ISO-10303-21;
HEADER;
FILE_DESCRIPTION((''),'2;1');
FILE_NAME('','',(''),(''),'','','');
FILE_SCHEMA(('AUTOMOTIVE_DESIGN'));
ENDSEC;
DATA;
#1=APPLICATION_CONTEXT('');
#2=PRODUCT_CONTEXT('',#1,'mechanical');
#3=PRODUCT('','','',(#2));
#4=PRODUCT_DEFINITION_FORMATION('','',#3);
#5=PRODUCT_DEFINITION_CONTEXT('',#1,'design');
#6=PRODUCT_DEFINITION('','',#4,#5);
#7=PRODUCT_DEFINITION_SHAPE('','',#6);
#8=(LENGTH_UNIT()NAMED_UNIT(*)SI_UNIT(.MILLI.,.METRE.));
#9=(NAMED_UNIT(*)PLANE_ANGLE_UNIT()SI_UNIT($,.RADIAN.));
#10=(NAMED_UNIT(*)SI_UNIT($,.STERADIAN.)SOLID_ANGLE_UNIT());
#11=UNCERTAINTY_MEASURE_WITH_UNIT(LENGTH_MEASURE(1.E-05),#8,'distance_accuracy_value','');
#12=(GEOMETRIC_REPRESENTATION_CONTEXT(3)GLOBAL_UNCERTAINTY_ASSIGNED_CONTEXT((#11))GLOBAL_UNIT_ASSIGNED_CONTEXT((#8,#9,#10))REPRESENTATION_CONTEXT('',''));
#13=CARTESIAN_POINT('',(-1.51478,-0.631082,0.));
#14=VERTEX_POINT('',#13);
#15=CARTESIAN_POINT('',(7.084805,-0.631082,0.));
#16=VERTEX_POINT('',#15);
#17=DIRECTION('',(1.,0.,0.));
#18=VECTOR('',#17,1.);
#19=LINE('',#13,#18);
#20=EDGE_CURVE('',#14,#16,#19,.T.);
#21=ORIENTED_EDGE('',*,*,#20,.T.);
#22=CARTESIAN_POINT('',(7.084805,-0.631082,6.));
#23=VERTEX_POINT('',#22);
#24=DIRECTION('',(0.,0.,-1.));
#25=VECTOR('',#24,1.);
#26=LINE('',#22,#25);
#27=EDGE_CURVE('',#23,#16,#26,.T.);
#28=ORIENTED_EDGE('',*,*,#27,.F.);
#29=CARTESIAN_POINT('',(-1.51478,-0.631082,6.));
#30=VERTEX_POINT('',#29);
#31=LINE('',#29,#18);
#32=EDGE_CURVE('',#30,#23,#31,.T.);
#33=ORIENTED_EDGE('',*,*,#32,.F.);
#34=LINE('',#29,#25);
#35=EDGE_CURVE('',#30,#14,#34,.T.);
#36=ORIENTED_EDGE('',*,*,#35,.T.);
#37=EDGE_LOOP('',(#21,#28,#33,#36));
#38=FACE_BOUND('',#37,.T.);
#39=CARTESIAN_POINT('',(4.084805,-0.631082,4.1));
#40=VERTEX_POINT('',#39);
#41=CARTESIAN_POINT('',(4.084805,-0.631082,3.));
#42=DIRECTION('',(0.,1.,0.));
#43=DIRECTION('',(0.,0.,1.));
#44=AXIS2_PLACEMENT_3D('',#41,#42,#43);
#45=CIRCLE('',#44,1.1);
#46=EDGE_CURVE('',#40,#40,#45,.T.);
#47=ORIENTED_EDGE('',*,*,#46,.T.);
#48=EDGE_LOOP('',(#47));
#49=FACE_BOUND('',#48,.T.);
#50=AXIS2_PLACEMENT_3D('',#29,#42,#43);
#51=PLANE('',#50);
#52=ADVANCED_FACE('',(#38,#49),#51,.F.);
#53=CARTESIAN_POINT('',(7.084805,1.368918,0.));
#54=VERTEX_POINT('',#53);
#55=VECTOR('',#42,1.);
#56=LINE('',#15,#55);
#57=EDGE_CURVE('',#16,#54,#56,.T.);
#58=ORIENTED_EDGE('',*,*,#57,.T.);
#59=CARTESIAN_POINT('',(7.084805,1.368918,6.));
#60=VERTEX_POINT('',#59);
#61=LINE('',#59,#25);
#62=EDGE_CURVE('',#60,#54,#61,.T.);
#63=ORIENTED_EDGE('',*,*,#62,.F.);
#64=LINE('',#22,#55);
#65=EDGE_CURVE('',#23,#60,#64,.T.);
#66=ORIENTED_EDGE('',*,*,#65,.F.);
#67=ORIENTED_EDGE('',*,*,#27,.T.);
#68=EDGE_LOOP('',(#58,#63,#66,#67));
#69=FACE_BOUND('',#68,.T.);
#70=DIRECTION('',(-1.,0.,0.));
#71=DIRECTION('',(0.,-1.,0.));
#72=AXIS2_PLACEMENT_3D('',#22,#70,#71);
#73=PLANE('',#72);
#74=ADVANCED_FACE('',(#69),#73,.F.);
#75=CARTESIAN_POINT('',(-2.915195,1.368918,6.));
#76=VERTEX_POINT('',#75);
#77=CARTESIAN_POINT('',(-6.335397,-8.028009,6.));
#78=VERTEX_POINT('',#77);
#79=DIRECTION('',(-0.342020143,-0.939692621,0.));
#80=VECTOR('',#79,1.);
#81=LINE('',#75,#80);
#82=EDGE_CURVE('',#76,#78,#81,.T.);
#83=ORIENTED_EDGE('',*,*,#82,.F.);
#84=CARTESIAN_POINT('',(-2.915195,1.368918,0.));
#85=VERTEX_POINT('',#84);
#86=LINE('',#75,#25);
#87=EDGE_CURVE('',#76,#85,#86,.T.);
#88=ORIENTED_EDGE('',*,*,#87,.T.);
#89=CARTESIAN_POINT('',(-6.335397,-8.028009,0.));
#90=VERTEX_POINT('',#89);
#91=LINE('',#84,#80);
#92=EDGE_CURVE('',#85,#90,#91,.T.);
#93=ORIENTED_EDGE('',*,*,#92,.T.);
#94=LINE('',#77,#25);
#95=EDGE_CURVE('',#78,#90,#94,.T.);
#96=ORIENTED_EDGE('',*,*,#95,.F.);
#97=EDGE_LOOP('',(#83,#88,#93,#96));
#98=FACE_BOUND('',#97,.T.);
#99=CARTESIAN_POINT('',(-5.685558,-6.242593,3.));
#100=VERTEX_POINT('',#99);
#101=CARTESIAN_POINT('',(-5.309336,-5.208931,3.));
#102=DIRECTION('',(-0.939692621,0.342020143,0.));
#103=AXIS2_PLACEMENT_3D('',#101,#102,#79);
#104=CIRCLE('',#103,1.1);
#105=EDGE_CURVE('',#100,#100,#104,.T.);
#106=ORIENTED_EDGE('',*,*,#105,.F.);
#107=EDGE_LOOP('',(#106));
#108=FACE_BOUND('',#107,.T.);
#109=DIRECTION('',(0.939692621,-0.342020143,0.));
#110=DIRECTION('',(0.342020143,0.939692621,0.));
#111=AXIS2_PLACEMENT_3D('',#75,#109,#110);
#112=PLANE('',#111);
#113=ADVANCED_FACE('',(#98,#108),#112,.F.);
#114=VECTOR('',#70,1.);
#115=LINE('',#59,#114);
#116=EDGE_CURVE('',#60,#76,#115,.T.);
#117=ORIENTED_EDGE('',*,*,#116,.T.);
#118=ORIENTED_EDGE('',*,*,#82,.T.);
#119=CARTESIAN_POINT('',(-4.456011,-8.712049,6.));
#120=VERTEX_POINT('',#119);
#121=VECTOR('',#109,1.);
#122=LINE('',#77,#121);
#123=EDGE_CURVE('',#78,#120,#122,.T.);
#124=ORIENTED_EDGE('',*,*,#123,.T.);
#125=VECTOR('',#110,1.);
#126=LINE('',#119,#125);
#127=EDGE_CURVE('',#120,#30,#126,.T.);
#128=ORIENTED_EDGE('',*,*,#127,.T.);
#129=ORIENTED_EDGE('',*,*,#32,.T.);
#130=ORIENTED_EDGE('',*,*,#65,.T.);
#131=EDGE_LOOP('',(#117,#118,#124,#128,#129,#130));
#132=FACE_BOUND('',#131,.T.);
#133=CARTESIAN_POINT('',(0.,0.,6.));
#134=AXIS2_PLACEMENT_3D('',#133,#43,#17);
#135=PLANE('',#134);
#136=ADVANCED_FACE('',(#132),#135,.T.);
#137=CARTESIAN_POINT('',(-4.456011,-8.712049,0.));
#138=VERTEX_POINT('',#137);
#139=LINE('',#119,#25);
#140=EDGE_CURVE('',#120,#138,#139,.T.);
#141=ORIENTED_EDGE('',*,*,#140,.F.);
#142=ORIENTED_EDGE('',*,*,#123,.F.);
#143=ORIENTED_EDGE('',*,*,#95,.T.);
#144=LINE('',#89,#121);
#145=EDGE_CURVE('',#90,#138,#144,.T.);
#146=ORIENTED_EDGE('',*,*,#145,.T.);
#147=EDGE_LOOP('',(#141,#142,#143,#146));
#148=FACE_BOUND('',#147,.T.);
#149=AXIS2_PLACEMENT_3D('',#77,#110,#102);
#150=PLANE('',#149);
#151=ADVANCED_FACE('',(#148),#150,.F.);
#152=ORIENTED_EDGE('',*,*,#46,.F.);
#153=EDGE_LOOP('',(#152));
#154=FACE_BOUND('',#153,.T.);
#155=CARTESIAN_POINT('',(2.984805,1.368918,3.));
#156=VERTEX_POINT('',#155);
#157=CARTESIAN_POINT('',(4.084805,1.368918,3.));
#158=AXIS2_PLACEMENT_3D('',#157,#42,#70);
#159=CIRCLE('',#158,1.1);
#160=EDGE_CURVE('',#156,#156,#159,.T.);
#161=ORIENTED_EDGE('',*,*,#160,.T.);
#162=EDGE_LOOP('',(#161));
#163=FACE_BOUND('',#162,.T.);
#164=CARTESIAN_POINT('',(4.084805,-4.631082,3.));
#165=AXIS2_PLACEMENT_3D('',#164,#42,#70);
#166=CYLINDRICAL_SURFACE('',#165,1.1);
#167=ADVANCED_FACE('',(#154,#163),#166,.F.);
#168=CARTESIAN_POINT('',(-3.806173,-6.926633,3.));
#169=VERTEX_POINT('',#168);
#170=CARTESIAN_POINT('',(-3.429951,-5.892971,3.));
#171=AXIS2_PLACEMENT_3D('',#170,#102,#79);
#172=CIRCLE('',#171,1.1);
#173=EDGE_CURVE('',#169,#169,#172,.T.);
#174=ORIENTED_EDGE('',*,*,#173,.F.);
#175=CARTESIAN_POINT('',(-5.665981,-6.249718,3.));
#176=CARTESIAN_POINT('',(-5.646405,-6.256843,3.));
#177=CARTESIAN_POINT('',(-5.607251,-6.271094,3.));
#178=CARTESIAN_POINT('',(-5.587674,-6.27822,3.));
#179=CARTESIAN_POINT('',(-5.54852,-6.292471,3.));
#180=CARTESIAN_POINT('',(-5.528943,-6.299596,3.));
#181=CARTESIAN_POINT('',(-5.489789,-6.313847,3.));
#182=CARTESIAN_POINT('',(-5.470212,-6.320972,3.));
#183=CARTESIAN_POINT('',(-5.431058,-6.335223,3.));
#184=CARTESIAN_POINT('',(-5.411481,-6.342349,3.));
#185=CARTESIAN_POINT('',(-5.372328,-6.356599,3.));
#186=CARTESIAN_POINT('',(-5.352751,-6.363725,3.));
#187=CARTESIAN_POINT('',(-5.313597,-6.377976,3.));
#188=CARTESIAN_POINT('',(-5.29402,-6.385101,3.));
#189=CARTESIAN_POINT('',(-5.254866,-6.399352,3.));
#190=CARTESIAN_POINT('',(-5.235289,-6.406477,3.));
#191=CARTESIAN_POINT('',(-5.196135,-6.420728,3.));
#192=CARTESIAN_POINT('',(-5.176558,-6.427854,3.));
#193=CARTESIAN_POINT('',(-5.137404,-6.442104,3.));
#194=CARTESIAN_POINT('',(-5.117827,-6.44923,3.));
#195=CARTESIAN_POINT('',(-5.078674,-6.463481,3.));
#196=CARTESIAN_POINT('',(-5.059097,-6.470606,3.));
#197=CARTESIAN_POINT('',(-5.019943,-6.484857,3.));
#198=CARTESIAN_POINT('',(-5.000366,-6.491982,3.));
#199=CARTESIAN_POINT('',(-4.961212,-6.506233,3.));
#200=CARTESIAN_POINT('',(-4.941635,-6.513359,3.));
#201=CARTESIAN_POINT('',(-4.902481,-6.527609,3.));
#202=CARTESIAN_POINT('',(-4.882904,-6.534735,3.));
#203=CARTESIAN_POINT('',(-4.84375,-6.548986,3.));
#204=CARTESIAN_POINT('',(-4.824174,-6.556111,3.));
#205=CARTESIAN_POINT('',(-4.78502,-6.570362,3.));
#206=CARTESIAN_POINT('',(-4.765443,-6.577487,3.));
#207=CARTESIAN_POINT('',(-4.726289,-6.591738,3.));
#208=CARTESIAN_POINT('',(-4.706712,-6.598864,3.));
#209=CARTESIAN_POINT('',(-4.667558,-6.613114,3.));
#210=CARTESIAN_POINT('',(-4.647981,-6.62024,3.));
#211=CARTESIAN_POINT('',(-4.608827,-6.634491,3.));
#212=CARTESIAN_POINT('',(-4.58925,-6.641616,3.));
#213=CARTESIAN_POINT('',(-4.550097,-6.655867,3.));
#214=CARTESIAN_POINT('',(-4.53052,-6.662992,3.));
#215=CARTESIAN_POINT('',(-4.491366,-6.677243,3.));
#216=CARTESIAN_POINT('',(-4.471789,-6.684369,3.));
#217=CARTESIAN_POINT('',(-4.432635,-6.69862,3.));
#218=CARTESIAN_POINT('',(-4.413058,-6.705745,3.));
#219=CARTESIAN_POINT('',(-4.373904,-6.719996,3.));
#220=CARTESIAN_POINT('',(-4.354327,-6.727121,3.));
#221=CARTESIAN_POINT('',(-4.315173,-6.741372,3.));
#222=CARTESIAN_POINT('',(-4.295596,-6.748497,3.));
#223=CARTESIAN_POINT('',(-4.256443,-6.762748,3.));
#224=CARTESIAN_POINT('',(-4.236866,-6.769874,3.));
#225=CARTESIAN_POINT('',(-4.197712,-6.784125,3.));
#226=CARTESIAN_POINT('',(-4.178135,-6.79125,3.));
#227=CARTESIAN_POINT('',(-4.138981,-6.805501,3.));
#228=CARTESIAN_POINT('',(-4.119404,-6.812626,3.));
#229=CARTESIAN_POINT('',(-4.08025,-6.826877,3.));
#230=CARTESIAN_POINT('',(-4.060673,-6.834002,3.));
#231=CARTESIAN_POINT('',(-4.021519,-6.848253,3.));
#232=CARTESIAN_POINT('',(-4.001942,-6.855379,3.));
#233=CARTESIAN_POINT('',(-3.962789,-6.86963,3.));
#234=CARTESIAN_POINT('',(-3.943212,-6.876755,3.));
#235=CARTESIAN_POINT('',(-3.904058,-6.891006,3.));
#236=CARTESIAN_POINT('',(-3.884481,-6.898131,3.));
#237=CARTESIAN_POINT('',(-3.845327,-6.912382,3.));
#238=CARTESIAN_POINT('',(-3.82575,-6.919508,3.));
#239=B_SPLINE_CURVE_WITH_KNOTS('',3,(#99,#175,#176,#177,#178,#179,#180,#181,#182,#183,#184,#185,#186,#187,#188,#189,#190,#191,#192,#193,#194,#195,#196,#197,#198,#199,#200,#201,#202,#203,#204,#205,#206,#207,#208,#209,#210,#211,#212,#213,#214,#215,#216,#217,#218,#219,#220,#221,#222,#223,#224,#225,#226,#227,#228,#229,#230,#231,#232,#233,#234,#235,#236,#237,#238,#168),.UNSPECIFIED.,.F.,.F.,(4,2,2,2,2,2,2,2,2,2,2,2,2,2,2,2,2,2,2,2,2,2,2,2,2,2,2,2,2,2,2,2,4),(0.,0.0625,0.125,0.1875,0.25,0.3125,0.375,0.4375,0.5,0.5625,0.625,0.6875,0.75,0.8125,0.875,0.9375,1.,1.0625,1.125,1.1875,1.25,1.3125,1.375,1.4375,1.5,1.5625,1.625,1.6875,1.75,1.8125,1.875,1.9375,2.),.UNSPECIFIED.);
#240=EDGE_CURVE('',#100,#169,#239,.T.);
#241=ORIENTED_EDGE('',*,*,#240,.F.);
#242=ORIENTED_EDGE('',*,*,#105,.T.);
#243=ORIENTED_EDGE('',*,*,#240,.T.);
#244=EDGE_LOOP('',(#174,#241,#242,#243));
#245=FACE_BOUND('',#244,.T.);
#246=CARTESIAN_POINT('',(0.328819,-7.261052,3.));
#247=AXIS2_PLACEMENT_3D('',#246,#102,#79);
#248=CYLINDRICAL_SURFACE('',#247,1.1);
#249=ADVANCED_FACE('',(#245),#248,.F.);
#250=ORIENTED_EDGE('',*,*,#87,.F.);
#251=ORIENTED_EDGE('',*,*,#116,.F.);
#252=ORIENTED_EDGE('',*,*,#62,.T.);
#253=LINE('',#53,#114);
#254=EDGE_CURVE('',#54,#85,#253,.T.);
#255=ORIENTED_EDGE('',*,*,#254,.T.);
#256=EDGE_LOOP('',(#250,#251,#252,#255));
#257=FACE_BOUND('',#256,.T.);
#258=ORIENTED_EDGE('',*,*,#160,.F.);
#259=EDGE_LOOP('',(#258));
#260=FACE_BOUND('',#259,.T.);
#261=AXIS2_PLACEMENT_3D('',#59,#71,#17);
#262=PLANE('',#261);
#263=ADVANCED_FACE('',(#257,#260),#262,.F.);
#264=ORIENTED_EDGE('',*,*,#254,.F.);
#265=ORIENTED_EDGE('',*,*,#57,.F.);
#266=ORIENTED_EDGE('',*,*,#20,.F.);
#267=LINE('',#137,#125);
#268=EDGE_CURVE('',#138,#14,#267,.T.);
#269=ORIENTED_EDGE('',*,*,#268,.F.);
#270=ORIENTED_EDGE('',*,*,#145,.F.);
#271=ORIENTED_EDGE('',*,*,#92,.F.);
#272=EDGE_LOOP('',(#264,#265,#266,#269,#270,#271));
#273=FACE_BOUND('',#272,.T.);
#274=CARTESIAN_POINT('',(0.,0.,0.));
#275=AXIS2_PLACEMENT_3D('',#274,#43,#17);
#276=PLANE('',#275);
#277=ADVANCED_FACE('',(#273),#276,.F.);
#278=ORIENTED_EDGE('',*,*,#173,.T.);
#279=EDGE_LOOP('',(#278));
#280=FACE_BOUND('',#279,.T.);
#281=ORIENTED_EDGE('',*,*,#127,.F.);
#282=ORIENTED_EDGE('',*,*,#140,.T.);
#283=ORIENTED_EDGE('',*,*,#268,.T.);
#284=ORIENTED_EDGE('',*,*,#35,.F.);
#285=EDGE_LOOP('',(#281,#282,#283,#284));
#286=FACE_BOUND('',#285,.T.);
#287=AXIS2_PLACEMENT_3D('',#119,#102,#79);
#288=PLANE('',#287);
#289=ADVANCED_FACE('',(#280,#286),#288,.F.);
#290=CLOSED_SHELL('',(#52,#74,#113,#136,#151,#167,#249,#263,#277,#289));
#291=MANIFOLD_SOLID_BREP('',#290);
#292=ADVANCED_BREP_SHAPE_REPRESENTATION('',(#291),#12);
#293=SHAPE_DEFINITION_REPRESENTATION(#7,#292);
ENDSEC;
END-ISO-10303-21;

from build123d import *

# Parameters (mm, degrees)
BOSS_EXTRUDE1_DEPTH = 6
SKETCH2_R           = 1.1
CUT_EXTRUDE1_DEPTH  = 6
SKETCH3_R           = 1.1
CUT_EXTRUDE2_DEPTH  = 6


with BuildPart() as part:
    # Sketch1 → Boss-Extrude1 (new body)
    with BuildSketch(Plane.XY):
        Polygon((7.084804736, 1.368917583), (-2.915195264, 1.368917583), (-6.335396697, -8.028008625), (-4.456011456, -8.712048911), (-1.514780188, -0.631082417), (7.084804736, -0.631082417), align=None)
    extrude(amount=BOSS_EXTRUDE1_DEPTH)

    # Sketch2 → Cut-Extrude1 (cut)
    with BuildSketch(Plane(origin=(0, 1.368917583, 0), x_dir=(1, 0, 0), z_dir=(0, 1, 0))):
        with Locations(Location((4.084804736, -3, 0), (0, 0, 180))):
            Circle(SKETCH2_R)
    extrude(amount=-CUT_EXTRUDE1_DEPTH, mode=Mode.SUBTRACT)

    # Sketch3 → Cut-Extrude2 (cut)
    with BuildSketch(Plane(origin=(-3.014143829, 1.097058636, 0), x_dir=(0, 0, 1), z_dir=(-0.9396926207859095, 0.34202014332566544, 0))):
        with Locations(Location((3, -6.710693751, 0), (0, 0, 270))):
            Circle(SKETCH3_R)
    extrude(amount=-CUT_EXTRUDE2_DEPTH, mode=Mode.SUBTRACT)


solid = part.part
